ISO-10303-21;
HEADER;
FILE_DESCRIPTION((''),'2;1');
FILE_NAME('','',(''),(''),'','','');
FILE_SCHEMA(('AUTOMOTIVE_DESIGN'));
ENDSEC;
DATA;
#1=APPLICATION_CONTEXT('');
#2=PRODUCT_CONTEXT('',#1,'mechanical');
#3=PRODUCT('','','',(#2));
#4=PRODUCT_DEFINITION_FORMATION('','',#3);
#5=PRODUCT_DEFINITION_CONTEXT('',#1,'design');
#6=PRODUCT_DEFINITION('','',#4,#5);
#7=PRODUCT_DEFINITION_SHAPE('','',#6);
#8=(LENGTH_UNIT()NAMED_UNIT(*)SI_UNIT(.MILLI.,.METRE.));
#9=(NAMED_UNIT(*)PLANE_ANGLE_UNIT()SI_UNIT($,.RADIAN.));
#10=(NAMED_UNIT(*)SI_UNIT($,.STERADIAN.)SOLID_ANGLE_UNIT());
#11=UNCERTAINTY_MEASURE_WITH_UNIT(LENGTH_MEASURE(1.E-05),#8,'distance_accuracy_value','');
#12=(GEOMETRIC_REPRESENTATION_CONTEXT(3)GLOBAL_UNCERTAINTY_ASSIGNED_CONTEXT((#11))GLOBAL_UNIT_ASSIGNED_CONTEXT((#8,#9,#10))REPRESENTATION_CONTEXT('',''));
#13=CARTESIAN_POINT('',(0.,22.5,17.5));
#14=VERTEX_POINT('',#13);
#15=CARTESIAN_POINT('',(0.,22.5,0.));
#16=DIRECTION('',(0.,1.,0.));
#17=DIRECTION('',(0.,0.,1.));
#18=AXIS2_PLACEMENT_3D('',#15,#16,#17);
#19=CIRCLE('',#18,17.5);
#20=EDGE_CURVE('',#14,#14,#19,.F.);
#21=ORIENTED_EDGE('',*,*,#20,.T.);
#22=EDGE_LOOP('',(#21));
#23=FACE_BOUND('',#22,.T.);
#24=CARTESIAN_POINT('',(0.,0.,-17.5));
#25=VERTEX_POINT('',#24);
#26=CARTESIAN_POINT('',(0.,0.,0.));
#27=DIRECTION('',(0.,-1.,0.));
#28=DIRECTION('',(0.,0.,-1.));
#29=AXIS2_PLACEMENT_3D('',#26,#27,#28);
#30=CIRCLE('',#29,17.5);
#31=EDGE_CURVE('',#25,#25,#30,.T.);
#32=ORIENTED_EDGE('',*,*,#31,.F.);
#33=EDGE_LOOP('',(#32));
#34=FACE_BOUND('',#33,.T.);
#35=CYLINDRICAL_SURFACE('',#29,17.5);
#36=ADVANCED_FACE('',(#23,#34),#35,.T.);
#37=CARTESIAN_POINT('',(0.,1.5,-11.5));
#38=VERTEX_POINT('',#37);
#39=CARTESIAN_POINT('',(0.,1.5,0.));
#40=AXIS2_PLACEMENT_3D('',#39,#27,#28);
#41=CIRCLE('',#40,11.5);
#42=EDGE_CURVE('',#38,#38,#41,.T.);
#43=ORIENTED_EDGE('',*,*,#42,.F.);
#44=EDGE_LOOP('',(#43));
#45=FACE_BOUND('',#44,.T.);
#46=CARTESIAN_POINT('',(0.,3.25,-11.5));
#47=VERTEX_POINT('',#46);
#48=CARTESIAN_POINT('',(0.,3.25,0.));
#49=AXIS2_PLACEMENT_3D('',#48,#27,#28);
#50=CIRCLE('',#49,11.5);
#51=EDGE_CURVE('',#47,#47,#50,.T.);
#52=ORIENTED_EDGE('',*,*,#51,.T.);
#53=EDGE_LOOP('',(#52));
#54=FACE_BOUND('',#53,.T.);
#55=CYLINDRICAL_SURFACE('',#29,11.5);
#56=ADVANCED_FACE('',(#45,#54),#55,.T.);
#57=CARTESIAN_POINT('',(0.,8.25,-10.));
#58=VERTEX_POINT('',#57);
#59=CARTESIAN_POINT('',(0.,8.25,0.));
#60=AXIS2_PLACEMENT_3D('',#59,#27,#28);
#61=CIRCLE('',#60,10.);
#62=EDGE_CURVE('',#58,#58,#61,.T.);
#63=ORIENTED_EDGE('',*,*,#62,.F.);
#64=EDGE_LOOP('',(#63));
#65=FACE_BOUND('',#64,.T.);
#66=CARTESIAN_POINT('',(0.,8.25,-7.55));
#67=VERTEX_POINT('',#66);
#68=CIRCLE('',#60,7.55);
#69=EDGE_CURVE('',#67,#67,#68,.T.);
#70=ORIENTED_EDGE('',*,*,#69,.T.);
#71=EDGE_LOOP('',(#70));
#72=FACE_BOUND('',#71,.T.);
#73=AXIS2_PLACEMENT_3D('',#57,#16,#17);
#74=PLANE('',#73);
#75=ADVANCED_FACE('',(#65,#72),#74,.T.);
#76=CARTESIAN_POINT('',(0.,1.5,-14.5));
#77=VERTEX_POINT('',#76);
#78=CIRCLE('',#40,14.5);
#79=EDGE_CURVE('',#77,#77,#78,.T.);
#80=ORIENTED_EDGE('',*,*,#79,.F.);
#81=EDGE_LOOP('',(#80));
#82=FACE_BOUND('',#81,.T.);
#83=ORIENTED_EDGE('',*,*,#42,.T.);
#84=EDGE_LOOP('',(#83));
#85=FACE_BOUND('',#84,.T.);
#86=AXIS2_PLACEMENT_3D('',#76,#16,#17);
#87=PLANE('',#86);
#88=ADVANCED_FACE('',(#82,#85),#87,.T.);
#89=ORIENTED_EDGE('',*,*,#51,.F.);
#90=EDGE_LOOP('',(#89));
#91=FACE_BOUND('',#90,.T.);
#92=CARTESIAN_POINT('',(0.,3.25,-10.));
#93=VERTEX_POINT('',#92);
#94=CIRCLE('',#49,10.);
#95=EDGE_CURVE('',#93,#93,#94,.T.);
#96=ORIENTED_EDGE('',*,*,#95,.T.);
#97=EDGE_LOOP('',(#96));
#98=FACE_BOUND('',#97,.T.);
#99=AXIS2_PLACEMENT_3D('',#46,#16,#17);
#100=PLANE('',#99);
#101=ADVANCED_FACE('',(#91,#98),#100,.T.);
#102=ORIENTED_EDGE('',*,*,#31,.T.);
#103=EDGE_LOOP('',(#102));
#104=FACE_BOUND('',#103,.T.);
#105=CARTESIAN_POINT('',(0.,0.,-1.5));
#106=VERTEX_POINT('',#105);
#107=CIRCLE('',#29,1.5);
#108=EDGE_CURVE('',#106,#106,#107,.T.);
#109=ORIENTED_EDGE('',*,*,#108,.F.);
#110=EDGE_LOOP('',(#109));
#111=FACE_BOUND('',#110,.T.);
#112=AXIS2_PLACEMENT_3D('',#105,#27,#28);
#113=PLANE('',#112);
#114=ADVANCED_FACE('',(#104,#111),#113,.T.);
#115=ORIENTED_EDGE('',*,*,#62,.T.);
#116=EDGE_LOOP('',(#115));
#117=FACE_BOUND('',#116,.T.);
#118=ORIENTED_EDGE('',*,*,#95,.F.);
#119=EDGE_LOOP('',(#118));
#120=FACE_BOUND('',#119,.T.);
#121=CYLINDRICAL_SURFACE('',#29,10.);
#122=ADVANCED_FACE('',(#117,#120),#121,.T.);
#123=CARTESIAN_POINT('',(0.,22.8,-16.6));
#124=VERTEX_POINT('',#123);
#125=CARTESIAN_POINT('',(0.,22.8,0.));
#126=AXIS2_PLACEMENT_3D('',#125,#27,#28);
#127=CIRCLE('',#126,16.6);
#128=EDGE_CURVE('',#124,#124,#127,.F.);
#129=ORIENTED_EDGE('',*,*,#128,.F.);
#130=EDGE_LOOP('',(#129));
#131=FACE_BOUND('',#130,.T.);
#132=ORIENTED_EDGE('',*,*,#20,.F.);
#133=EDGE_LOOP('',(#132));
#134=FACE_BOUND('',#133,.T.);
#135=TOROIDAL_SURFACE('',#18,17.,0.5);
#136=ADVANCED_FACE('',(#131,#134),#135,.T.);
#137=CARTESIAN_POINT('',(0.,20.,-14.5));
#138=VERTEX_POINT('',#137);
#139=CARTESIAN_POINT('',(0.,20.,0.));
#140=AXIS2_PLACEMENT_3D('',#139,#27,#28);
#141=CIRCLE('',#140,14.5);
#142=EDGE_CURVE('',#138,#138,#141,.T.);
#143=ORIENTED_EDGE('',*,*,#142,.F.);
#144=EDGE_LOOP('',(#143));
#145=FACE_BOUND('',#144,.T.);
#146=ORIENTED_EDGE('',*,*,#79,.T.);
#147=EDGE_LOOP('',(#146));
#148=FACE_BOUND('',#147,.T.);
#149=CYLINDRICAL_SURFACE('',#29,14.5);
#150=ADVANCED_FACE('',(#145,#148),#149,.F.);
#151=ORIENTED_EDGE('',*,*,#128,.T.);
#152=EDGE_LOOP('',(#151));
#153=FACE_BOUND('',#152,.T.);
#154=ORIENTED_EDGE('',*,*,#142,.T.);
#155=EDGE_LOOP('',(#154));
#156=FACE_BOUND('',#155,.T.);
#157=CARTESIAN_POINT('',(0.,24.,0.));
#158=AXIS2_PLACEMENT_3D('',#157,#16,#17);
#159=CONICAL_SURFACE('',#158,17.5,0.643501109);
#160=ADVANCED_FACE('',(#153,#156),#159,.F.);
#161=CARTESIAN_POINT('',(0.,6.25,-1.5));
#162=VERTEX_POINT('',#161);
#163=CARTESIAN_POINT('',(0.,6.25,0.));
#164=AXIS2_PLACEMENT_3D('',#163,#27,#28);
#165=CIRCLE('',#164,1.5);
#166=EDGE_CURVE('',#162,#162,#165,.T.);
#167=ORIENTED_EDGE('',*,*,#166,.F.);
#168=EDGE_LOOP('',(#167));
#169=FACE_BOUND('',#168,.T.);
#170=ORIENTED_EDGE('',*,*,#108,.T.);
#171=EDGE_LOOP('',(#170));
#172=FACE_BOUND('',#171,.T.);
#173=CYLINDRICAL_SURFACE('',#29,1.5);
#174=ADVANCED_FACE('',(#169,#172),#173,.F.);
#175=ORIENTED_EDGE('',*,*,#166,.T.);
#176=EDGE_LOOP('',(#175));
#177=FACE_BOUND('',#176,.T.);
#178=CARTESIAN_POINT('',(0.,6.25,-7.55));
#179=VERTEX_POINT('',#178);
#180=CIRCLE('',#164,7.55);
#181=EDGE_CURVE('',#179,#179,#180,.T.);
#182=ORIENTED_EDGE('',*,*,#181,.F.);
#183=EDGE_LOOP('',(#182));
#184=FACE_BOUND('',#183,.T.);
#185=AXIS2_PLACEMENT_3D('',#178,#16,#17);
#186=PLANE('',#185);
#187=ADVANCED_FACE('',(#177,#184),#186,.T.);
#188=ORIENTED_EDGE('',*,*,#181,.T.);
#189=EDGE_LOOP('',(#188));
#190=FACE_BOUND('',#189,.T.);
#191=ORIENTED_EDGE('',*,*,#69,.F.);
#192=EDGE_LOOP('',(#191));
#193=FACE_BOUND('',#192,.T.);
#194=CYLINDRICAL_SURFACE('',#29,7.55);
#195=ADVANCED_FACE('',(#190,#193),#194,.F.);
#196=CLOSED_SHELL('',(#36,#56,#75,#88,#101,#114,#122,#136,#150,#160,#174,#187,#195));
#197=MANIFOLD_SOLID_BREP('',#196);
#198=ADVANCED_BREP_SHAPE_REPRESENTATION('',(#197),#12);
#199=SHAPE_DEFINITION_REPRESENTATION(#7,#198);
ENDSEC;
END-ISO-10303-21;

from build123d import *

# Parameters (mm, degrees)
FILLET_1_R = 0.5


with BuildPart() as part:
    # Эскиз1 → Повернуть1 (revolve)
    with BuildSketch(Plane(origin=(0, 0, 0), x_dir=(0, 0, -1), z_dir=(1, 0, 0))):
        Polygon((1.5, 0), (17.5, 0), (17.5, 24), (14.5, 20), (14.5, 1.5), (11.5, 1.5), (11.5, 3.25), (10, 3.25), (10, 8.25), (7.55, 8.25), (7.55, 6.25), (1.5, 6.25), align=None)
    revolve(axis=Axis((0, 0, 0), (0, 1, 0)))

    # Скругление1
    fillet_1_edges = [part.edges().sort_by_distance(p)[0] for p in [
        (0, 24, 17.5),
    ]]
    fillet(fillet_1_edges, radius=FILLET_1_R)


solid = part.part
